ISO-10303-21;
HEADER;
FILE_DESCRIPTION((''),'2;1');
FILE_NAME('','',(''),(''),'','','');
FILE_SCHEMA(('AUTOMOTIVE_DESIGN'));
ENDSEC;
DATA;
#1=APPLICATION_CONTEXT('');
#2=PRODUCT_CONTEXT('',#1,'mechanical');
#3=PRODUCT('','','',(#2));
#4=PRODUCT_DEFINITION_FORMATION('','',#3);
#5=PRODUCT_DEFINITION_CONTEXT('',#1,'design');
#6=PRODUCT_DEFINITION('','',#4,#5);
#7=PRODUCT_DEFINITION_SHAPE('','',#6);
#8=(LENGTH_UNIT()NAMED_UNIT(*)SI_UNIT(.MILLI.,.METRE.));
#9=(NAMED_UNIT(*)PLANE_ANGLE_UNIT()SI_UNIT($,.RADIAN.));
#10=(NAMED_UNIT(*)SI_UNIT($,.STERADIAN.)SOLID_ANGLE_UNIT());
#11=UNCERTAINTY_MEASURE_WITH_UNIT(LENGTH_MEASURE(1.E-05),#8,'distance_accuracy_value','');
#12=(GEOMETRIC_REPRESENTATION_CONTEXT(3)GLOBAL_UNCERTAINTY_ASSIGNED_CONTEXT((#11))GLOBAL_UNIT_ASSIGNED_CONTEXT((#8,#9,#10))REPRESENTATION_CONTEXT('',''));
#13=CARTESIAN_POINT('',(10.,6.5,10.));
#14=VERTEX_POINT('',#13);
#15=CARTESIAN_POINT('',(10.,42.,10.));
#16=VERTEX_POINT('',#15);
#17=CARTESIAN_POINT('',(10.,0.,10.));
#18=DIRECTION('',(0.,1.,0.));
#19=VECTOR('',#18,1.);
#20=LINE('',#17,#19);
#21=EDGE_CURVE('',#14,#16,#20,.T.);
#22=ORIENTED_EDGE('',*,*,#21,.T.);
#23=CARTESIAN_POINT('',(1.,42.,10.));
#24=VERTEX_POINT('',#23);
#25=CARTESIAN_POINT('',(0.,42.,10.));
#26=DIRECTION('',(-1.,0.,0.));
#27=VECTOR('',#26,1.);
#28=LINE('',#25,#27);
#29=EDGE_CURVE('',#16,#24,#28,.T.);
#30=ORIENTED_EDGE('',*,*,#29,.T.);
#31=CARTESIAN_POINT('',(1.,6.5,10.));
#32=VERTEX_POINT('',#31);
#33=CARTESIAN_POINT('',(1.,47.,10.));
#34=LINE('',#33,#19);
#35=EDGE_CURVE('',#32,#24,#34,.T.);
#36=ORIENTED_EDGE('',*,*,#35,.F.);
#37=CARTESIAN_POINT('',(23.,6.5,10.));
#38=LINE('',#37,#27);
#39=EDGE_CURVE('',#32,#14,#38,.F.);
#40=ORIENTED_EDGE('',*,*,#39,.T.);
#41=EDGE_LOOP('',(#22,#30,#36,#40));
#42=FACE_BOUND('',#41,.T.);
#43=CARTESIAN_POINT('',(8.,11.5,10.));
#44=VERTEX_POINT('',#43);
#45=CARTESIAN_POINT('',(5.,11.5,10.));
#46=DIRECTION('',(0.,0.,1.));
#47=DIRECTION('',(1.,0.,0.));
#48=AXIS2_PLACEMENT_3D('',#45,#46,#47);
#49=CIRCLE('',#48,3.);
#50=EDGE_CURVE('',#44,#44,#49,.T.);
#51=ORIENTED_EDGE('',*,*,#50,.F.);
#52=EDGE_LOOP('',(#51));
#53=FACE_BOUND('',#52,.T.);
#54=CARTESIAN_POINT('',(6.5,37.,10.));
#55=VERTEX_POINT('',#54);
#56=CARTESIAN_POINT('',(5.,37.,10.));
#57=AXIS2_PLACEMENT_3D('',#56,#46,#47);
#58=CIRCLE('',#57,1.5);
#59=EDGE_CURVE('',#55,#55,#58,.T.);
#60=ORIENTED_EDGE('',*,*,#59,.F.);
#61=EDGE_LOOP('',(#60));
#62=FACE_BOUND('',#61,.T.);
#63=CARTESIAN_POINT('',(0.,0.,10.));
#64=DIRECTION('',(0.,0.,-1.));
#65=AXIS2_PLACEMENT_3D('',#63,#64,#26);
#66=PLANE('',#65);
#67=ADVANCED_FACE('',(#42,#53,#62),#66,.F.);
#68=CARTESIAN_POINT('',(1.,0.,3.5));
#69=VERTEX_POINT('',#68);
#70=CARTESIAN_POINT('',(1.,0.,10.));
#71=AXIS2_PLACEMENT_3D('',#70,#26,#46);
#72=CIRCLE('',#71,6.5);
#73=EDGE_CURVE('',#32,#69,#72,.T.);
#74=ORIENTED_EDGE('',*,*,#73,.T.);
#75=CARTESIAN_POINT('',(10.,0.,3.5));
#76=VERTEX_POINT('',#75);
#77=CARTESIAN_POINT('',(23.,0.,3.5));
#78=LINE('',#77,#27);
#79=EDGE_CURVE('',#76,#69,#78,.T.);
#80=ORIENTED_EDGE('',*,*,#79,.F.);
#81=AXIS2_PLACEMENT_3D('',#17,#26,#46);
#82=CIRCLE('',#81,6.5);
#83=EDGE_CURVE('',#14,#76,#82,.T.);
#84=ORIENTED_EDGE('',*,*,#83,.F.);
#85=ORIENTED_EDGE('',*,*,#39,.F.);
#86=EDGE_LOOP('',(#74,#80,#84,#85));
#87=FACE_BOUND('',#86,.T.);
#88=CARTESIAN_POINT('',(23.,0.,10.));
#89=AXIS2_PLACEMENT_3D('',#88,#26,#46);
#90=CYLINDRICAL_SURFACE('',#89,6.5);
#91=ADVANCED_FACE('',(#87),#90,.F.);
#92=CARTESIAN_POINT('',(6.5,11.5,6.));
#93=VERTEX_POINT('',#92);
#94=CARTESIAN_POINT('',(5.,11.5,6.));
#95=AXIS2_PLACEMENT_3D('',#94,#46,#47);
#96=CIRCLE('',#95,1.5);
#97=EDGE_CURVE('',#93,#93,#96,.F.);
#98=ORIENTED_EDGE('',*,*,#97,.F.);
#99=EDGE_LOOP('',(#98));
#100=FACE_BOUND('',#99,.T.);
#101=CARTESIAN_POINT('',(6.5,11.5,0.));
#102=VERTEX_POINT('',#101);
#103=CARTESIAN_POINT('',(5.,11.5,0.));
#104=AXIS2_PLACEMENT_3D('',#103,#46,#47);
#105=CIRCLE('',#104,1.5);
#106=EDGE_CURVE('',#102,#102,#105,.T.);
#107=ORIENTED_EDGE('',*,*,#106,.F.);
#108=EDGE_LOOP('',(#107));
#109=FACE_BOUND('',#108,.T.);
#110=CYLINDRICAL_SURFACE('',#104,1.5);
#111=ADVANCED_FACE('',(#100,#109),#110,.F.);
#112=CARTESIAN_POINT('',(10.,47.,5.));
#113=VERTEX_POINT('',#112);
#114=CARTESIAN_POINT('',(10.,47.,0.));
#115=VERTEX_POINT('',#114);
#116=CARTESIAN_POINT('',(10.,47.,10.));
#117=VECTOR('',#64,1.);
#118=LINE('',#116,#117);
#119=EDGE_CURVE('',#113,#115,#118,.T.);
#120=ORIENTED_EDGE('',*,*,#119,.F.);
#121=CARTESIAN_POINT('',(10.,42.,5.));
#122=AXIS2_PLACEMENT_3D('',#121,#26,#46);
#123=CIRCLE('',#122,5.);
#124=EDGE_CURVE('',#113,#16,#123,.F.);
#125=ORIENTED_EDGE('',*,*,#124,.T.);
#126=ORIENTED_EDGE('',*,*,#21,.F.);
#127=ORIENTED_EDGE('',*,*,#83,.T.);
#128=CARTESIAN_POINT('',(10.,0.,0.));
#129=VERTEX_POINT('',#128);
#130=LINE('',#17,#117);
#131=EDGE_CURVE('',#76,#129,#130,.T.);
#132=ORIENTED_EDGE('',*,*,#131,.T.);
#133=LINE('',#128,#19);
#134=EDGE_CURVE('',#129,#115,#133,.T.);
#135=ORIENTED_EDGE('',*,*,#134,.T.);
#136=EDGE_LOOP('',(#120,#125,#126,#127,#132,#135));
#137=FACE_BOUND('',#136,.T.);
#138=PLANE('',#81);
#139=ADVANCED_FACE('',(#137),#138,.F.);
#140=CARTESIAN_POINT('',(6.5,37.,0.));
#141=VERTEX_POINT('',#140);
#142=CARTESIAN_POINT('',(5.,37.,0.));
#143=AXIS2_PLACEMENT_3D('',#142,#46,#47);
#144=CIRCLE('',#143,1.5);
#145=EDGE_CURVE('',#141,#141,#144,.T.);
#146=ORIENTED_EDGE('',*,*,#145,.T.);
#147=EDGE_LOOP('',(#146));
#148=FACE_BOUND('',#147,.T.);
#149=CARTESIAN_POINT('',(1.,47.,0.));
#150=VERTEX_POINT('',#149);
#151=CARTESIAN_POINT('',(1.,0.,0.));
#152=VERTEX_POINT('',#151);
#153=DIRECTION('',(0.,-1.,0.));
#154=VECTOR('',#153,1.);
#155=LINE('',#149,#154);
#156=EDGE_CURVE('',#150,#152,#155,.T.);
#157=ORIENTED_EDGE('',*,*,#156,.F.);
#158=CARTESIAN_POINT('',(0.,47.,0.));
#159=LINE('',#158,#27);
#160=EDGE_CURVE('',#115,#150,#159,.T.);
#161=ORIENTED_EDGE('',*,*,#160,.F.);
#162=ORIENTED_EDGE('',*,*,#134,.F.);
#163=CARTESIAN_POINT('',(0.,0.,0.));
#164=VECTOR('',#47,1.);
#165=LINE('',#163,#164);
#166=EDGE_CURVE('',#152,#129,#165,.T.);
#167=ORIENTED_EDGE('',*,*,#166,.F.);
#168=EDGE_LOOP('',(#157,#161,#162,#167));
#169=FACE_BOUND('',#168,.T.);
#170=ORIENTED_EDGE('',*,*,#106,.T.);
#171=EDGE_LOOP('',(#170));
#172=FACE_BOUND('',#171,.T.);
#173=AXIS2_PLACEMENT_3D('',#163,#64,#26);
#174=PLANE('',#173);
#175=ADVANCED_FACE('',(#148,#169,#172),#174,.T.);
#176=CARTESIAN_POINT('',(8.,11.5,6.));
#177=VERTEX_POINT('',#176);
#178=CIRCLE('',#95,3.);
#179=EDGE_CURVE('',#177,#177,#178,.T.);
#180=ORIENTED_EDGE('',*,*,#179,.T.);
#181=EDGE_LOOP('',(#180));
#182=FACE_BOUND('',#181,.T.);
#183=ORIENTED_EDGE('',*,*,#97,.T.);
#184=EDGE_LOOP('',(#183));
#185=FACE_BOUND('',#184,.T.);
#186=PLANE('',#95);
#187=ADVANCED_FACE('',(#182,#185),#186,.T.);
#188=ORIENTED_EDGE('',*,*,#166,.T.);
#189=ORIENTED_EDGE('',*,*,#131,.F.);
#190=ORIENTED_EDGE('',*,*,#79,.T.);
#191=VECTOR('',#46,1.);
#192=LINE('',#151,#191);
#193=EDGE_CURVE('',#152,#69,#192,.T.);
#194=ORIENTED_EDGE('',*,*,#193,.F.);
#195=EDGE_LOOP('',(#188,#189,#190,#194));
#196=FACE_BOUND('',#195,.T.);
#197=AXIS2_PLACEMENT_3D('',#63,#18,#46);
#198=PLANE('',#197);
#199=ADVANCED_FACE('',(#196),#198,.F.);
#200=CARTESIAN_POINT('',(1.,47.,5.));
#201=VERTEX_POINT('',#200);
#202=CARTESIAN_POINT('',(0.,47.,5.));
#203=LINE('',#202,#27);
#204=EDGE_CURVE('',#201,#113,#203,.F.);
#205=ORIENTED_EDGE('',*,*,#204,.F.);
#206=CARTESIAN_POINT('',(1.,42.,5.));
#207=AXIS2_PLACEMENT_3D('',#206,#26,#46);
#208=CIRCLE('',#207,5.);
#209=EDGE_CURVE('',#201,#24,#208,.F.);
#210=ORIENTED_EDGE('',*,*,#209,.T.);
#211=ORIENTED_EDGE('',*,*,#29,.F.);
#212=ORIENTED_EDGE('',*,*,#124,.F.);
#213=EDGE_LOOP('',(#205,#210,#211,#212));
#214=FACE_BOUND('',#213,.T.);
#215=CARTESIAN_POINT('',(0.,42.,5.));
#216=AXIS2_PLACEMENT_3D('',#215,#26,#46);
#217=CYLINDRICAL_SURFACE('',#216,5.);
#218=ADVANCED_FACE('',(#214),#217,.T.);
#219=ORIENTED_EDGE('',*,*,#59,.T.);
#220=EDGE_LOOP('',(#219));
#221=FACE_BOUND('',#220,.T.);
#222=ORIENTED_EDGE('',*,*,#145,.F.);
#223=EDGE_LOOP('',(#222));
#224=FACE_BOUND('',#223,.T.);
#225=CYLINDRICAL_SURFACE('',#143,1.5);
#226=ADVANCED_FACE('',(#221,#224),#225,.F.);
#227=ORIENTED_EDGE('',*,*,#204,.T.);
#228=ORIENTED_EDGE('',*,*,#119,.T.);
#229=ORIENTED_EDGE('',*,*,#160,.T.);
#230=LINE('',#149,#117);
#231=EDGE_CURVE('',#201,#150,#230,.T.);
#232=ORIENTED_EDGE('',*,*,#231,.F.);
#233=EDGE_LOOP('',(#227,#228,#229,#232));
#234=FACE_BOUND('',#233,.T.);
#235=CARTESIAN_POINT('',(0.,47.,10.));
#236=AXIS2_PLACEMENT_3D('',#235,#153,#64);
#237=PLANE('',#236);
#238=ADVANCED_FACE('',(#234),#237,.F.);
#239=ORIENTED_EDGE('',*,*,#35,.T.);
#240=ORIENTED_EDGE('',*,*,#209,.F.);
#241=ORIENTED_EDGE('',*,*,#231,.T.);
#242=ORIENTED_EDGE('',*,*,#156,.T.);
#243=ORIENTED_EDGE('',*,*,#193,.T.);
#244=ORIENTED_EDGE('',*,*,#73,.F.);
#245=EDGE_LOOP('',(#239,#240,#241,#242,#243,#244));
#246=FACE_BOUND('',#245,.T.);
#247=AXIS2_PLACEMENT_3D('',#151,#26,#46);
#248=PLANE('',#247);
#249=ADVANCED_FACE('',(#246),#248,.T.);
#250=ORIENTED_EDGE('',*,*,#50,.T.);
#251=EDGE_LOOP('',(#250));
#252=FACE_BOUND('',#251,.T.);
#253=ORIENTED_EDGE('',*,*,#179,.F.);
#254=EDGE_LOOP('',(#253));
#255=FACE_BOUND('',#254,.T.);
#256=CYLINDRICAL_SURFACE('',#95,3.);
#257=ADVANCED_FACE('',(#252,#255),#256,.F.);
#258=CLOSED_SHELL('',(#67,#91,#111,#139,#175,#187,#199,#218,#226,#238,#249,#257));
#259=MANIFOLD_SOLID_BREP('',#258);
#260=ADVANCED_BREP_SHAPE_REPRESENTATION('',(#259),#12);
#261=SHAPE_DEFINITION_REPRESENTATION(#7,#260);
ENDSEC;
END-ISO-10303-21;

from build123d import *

# Parameters (mm, degrees)
SKETCH1_W           = 10
SKETCH1_H           = 47
BOSS_EXTRUDE1_DEPTH = 10
SKETCH2_R           = 1.5
CUT_EXTRUDE1_DEPTH  = 10
FILLET1_R           = 5
SKETCH3_W           = 10
SKETCH3_H           = 47
CUT_EXTRUDE2_DEPTH  = 1
SKETCH4_R           = 6.5
CUT_EXTRUDE3_DEPTH  = 22
SKETCH5_R           = 3
CUT_EXTRUDE4_DEPTH  = 4


with BuildPart() as part:
    # Sketch1 → Boss-Extrude1 (new body)
    with BuildSketch(Plane.XY):
        with Locations((5, 23.5)):
            Rectangle(SKETCH1_W, SKETCH1_H)
    extrude(amount=BOSS_EXTRUDE1_DEPTH)

    # Sketch2 → Cut-Extrude1 (cut)
    with BuildSketch(Plane.XY.offset(10)):
        with Locations((5, 37)):
            Circle(SKETCH2_R)
        with Locations((5, 11.5)):
            Circle(SKETCH2_R)
    extrude(amount=-CUT_EXTRUDE1_DEPTH, mode=Mode.SUBTRACT)

    # Fillet1
    fillet1_edges = [part.edges().sort_by_distance(p)[0] for p in [
        (5, 47, 10),
    ]]
    fillet(fillet1_edges, radius=FILLET1_R)

    # Sketch3 → Cut-Extrude2 (cut)
    with BuildSketch(Plane.ZY):
        with Locations((5, 23.5)):
            Rectangle(SKETCH3_W, SKETCH3_H)
    extrude(amount=-CUT_EXTRUDE2_DEPTH, mode=Mode.SUBTRACT)

    # Sketch4 → Cut-Extrude3 (cut)
    with BuildSketch(Plane.ZY.offset(-1)):
        with Locations((10, 0)):
            Circle(SKETCH4_R)
    extrude(amount=-CUT_EXTRUDE3_DEPTH, mode=Mode.SUBTRACT)

    # Sketch5 → Cut-Extrude4 (cut)
    with BuildSketch(Plane.XY.offset(10)):
        with Locations((5, 11.5)):
            Circle(SKETCH5_R)
    extrude(amount=-CUT_EXTRUDE4_DEPTH, mode=Mode.SUBTRACT)


solid = part.part
